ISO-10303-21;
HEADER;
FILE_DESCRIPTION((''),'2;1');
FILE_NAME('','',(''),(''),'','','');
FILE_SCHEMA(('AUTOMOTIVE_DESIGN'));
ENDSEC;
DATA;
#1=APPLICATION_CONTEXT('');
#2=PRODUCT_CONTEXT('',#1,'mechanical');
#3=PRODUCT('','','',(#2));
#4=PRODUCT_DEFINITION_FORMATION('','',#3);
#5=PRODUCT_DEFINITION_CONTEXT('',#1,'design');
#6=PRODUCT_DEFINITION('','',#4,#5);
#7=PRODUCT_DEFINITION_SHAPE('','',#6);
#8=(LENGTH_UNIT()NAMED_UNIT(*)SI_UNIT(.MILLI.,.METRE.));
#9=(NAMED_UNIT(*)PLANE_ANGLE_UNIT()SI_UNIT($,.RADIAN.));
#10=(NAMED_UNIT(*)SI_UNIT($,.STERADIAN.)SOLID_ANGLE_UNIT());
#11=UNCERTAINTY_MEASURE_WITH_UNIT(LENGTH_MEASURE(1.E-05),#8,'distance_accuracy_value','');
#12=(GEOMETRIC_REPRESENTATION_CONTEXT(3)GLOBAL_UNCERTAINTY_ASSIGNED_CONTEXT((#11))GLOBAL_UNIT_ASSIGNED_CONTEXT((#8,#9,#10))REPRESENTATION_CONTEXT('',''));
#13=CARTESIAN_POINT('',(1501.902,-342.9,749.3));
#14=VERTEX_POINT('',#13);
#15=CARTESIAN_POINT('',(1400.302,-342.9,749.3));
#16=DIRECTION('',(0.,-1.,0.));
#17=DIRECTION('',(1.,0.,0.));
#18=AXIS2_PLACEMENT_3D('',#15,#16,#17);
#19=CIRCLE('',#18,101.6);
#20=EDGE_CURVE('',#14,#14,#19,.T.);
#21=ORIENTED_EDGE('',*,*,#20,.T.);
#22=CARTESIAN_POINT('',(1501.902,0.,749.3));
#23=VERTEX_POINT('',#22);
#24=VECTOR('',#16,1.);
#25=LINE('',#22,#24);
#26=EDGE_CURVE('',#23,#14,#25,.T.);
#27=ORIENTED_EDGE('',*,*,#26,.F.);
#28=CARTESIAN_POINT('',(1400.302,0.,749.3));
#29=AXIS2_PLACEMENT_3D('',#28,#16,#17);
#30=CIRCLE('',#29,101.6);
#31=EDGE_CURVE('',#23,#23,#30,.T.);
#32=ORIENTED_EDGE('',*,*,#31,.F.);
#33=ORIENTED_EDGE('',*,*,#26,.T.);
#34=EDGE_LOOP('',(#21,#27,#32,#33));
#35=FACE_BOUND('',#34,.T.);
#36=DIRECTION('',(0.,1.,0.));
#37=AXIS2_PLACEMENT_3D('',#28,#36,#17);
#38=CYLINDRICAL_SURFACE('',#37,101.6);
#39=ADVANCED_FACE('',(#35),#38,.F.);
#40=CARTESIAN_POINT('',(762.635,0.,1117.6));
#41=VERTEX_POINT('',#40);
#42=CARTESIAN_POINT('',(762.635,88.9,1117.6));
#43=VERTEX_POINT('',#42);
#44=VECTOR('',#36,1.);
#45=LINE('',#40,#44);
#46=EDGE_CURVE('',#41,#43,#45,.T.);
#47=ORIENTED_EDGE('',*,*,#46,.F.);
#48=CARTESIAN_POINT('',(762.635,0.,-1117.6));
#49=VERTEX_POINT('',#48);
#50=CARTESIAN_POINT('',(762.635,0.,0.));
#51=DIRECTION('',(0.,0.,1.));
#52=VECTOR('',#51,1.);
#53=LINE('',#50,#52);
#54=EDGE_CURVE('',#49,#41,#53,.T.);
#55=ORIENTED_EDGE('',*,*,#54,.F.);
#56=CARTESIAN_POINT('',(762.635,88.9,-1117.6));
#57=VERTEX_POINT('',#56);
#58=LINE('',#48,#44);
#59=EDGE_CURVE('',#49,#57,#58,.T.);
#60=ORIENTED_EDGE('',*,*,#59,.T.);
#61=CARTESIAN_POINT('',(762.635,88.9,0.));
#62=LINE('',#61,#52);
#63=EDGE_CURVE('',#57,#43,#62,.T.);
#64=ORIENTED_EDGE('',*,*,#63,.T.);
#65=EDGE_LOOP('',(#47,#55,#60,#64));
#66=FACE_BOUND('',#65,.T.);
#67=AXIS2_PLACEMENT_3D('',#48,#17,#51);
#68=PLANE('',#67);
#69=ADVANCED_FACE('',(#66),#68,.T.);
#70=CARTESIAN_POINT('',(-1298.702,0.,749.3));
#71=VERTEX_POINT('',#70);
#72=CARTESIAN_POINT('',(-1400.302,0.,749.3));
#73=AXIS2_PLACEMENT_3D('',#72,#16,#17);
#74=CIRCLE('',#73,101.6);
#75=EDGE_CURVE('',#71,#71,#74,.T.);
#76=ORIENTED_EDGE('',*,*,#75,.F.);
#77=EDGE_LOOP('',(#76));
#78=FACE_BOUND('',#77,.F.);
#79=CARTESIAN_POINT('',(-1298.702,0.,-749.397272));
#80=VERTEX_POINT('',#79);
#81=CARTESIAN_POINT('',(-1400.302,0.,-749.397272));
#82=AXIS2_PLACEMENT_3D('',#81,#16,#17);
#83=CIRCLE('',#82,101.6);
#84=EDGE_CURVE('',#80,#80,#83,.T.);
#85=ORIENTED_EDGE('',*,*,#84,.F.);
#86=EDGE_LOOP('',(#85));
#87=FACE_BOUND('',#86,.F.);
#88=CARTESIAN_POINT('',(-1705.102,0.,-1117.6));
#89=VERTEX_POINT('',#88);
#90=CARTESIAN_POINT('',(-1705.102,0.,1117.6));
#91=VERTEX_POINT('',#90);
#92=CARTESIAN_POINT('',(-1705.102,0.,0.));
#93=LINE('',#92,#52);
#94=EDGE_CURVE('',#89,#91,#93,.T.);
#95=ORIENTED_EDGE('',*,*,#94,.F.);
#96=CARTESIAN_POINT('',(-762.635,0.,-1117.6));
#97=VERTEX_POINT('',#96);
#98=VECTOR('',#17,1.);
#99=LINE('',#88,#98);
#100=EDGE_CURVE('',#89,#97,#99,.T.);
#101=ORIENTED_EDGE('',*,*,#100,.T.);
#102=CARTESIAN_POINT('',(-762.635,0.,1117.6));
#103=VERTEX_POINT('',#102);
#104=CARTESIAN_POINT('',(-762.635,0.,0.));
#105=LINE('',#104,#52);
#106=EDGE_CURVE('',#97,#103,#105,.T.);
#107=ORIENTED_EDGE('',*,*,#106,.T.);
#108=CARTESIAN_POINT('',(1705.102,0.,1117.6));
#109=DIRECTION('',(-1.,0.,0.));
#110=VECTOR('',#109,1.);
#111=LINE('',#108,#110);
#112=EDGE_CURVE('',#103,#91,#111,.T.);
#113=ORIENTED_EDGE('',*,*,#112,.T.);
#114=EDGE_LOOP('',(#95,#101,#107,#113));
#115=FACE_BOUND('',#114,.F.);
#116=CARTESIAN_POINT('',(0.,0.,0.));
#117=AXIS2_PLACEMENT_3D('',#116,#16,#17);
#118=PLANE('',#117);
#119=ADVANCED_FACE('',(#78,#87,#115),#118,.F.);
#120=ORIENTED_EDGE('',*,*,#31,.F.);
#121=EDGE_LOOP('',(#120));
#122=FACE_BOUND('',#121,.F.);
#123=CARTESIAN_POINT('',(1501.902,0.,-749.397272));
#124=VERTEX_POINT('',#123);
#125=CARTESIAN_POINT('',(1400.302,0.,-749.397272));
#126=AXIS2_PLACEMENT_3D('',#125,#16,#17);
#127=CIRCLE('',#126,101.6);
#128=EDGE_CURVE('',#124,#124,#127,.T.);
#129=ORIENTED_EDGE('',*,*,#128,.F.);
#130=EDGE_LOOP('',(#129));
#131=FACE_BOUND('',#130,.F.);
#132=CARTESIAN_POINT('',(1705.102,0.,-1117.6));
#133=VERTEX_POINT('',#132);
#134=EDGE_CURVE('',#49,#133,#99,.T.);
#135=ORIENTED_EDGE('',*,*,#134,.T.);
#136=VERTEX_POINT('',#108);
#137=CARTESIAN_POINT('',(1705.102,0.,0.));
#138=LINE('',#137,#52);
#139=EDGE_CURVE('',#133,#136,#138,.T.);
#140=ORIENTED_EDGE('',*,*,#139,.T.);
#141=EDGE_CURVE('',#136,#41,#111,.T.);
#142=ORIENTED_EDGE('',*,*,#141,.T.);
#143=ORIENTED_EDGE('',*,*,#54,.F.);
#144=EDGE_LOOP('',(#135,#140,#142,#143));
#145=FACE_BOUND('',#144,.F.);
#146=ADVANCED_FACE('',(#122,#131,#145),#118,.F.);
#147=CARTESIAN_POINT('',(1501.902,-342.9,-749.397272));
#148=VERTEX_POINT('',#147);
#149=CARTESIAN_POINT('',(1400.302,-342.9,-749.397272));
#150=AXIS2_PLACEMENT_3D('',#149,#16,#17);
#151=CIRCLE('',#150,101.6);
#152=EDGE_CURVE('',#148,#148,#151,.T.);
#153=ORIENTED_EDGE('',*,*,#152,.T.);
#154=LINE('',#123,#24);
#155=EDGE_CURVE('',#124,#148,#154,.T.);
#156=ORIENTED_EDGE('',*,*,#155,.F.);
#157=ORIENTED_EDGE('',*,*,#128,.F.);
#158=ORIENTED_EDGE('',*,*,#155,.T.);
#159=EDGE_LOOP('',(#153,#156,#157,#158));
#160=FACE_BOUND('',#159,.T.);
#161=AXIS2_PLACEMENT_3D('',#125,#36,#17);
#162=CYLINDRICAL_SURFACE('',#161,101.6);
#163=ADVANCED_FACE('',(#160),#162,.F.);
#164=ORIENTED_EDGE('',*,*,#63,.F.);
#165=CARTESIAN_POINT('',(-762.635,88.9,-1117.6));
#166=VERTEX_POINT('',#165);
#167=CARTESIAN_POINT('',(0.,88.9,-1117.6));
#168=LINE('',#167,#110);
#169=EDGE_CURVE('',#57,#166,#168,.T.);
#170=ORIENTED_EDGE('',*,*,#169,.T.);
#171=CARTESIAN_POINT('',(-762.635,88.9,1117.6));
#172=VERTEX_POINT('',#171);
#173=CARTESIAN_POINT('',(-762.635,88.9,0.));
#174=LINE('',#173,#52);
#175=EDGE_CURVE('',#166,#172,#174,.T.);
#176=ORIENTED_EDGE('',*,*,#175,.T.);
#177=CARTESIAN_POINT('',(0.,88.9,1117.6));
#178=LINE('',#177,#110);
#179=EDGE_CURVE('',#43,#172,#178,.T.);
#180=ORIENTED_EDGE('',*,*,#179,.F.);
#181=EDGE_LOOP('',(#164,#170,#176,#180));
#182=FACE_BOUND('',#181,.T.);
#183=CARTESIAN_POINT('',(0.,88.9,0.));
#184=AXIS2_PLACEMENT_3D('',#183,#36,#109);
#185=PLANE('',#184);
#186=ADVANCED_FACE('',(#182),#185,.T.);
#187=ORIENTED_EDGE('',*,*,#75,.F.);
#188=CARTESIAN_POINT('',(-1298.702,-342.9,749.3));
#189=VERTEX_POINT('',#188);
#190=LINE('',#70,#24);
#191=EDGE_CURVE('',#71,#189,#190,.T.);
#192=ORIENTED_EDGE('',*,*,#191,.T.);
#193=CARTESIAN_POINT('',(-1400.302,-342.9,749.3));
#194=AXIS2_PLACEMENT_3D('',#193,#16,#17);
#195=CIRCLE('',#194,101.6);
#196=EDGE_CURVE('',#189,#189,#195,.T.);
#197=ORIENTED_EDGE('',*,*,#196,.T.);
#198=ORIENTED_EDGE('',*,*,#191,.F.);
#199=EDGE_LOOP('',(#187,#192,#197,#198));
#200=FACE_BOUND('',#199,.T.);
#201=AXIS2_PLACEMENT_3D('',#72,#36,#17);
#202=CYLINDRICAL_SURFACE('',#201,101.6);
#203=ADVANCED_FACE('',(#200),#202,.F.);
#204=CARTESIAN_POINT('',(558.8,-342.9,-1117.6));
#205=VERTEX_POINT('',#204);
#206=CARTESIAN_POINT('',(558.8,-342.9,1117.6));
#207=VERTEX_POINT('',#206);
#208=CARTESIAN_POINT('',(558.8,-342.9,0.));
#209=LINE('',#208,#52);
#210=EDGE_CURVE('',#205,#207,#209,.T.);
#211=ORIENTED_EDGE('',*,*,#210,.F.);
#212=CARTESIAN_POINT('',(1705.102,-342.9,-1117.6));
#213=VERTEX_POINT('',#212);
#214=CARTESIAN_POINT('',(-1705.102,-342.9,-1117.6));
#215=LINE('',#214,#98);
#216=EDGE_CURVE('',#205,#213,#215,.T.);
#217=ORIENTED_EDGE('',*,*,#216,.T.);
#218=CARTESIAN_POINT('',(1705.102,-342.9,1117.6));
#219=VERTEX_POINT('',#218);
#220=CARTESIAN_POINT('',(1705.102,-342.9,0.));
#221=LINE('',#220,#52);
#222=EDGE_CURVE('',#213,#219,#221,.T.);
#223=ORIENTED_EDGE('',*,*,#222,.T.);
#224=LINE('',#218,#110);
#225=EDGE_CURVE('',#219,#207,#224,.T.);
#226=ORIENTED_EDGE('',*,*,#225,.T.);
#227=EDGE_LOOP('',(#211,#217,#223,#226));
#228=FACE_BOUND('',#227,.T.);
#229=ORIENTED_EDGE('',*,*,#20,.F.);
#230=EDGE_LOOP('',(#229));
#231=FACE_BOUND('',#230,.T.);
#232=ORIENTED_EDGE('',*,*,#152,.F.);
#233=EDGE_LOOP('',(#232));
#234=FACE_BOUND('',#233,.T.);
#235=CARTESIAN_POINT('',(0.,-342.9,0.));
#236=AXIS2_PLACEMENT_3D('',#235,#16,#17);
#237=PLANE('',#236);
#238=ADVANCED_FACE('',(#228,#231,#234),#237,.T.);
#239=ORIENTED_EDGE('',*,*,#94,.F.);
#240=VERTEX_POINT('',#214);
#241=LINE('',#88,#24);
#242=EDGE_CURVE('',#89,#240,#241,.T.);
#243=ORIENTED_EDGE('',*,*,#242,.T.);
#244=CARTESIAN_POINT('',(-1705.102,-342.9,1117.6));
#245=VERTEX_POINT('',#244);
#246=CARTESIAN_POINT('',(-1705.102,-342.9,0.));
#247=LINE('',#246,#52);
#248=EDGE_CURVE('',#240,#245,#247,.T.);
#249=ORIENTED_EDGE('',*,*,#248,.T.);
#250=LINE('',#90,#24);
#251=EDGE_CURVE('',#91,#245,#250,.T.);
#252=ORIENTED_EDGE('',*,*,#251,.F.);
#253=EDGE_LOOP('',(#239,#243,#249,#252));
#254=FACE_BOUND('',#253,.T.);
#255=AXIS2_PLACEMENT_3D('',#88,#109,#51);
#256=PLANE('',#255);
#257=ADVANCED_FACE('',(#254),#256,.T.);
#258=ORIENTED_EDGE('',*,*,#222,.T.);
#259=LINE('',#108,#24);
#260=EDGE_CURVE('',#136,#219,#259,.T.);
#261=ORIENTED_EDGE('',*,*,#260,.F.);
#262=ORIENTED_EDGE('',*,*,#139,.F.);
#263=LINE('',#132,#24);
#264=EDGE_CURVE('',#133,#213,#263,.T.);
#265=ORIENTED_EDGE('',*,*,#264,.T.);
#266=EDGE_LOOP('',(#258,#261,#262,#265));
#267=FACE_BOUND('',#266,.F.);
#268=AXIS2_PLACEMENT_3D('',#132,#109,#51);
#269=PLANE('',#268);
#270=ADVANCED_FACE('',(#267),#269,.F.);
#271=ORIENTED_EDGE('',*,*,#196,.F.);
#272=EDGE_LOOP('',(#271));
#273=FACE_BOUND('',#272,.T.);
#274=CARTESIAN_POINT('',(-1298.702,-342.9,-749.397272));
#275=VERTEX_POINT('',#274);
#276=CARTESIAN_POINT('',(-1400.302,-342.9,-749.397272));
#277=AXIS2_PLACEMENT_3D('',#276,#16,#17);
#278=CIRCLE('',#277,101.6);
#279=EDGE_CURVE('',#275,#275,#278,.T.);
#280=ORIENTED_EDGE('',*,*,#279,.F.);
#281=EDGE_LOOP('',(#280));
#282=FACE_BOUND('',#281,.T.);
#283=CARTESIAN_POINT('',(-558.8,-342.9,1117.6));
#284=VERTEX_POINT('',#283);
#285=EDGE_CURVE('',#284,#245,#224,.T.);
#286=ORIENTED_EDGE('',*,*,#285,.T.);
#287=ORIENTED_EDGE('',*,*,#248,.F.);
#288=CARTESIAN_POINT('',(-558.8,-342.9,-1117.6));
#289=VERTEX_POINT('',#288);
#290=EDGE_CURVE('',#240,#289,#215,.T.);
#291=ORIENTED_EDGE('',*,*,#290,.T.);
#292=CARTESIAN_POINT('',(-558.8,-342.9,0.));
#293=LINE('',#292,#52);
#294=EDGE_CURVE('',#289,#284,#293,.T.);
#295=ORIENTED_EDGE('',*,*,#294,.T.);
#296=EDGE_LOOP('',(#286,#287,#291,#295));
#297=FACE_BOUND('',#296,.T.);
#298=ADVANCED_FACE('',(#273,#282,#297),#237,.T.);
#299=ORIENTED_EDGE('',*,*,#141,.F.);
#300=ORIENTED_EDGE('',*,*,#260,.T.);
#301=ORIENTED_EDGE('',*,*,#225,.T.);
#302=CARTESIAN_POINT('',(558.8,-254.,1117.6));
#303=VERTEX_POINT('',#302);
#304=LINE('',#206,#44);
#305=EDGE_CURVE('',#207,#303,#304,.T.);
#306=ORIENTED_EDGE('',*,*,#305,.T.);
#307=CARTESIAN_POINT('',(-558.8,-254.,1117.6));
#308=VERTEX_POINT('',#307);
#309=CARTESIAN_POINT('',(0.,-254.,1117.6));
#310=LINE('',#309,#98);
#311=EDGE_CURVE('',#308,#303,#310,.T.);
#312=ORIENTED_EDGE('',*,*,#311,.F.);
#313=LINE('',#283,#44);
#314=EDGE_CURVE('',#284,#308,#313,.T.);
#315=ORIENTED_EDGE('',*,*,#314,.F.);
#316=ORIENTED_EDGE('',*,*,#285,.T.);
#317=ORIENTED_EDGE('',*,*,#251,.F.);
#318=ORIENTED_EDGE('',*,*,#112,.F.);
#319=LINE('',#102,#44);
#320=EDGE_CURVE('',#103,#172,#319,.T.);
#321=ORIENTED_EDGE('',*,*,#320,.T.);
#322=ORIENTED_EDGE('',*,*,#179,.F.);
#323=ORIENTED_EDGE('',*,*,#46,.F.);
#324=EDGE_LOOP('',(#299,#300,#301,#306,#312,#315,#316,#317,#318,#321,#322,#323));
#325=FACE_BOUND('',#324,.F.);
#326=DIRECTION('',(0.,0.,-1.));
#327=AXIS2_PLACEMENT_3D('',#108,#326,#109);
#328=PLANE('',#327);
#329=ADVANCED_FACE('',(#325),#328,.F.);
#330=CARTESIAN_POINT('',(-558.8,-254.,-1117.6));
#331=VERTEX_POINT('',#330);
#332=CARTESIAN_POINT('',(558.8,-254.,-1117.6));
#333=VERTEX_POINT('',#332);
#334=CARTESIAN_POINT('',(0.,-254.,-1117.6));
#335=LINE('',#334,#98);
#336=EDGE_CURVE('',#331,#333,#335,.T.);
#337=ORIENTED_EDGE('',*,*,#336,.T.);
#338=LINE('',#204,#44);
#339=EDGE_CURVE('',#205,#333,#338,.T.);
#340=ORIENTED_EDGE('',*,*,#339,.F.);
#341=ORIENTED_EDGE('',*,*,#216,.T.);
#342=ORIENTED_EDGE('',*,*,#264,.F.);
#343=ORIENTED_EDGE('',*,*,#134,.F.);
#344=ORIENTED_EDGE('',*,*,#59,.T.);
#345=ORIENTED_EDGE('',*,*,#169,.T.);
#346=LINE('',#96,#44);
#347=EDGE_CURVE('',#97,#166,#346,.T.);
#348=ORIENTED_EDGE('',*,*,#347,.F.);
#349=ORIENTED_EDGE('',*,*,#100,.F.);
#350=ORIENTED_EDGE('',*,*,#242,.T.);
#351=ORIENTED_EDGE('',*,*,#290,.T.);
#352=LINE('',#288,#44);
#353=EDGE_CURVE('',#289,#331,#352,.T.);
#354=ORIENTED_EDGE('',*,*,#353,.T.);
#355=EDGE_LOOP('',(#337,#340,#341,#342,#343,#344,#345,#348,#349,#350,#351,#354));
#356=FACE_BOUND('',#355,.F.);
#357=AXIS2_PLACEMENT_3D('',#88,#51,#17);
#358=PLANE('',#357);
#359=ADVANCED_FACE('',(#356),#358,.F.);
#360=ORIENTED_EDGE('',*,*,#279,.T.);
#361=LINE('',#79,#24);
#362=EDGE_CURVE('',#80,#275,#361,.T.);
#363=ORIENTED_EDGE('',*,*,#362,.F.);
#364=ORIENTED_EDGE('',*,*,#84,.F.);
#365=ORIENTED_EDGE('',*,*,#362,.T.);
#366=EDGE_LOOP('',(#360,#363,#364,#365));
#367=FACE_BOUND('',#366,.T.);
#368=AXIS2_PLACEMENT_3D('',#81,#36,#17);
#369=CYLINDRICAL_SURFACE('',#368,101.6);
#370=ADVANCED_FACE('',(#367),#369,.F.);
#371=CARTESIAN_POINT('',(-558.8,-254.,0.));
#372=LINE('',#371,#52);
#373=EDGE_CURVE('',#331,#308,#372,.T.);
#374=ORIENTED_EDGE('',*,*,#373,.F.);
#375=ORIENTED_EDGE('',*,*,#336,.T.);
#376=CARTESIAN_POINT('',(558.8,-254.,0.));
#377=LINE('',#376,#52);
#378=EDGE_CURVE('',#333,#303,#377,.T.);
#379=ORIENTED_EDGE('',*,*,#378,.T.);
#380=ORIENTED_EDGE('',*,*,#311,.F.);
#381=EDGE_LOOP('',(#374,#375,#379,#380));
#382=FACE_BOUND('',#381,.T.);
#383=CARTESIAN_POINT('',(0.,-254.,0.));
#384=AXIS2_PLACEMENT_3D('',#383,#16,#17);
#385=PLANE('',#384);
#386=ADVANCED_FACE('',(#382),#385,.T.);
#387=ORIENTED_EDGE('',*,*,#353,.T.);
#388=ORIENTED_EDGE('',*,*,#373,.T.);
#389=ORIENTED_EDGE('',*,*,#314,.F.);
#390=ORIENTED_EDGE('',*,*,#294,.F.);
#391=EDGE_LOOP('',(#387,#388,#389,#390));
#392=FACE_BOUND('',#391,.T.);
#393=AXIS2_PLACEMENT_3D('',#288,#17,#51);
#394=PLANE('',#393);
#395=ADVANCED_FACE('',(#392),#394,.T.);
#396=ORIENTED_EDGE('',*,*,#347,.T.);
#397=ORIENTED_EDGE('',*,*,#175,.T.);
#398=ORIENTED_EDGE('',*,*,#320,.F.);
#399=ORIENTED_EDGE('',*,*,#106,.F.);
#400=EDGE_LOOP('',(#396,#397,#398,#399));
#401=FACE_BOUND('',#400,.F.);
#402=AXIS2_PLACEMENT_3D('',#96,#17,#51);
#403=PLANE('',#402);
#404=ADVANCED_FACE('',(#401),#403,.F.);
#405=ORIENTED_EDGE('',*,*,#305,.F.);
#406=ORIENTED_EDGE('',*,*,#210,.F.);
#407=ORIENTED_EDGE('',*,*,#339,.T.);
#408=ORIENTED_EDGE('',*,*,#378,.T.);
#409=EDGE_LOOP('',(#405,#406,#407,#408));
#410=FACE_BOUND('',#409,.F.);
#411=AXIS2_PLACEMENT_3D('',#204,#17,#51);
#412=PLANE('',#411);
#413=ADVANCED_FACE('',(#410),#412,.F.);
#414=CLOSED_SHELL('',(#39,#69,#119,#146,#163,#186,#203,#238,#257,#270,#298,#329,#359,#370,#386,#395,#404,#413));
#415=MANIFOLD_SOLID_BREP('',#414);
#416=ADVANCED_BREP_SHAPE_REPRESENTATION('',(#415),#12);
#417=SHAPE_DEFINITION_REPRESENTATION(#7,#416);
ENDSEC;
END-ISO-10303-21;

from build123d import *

# Parameters (mm, degrees)
F0_W     = 1117.6
F0_H     = 2235.2
F1_DEPTH = 331.47
F0_W_2   = 1146.302
F0_R     = 101.6
F2_DEPTH = 342.9
F3_W     = 1525.27
F3_H     = 2235.2
F4_DEPTH = 88.9
F5_W     = 1117.6
F5_H     = 2235.2
F6_DEPTH = 88.9


with BuildPart() as f1:
    # F0 (on Front) → F1 (new body)
    with BuildSketch(Plane.XZ):
        Rectangle(F0_W, F0_H)
    extrude(amount=F1_DEPTH)

    # F0 (on Front) → F2 (join)
    with BuildSketch(Plane.XZ):
        Rectangle(F0_W, F0_H)
        with Locations((1131.951, 0)):
            Rectangle(F0_W_2, F0_H)
        with Locations((1400.302, -749.397272)):
            Circle(F0_R, mode=Mode.SUBTRACT)
        with Locations((1400.302, 749.3)):
            Circle(F0_R, mode=Mode.SUBTRACT)
        with Locations((-1131.951, 0)):
            Rectangle(F0_W_2, F0_H)
        with Locations((-1400.302, -749.397272)):
            Circle(F0_R, mode=Mode.SUBTRACT)
        with Locations((-1400.302, 749.3)):
            Circle(F0_R, mode=Mode.SUBTRACT)
    extrude(amount=F2_DEPTH)

    # F3 (on face) → F4 (join)
    with BuildSketch(Plane(origin=(0, 0, 0), x_dir=(-1, 0, 0), z_dir=(0, 1, 0))):
        Rectangle(F3_W, F3_H)
    extrude(amount=F4_DEPTH)

    # F5 (on face) → F6 (cut)
    with BuildSketch(Plane.XZ.offset(342.9)):
        Rectangle(F5_W, F5_H)
    extrude(amount=-F6_DEPTH, mode=Mode.SUBTRACT)


solid = f1.part
